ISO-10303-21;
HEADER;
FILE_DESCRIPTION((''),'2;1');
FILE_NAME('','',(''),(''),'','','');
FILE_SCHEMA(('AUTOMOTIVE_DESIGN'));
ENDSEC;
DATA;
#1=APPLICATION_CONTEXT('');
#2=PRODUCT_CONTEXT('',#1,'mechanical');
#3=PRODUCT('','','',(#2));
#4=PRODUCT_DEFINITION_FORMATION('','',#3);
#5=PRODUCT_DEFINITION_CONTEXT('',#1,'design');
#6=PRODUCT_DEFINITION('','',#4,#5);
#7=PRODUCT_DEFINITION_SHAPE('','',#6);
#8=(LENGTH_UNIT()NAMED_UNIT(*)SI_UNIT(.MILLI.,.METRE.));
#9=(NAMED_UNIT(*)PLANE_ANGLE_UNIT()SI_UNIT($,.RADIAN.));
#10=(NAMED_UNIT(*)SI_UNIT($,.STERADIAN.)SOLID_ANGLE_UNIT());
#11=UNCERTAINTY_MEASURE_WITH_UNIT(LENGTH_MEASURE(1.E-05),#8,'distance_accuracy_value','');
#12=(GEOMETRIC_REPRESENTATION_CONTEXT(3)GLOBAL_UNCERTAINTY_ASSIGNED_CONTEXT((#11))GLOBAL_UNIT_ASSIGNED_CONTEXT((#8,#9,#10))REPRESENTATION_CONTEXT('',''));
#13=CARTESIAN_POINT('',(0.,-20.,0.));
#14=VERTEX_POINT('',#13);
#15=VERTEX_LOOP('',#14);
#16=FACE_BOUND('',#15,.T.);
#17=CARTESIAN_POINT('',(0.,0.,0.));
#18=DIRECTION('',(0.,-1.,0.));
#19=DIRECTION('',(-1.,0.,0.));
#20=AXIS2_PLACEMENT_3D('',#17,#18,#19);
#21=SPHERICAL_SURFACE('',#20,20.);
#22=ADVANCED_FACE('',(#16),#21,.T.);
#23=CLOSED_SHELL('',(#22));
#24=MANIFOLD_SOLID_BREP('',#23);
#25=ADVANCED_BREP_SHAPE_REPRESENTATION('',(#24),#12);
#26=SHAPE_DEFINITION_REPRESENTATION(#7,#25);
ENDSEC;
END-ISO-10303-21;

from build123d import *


with BuildPart() as part:
    # Sketch3 → Revolve1 (revolve)
    with BuildSketch(Plane.XY):
        with BuildLine():
            Line((0, 20), (0, -20))
            ThreePointArc((0, -20), (20, 0), (0, 20))
        make_face()
    revolve(axis=Axis((0, 0, 0), (0, 1, 0)))


solid = part.part
